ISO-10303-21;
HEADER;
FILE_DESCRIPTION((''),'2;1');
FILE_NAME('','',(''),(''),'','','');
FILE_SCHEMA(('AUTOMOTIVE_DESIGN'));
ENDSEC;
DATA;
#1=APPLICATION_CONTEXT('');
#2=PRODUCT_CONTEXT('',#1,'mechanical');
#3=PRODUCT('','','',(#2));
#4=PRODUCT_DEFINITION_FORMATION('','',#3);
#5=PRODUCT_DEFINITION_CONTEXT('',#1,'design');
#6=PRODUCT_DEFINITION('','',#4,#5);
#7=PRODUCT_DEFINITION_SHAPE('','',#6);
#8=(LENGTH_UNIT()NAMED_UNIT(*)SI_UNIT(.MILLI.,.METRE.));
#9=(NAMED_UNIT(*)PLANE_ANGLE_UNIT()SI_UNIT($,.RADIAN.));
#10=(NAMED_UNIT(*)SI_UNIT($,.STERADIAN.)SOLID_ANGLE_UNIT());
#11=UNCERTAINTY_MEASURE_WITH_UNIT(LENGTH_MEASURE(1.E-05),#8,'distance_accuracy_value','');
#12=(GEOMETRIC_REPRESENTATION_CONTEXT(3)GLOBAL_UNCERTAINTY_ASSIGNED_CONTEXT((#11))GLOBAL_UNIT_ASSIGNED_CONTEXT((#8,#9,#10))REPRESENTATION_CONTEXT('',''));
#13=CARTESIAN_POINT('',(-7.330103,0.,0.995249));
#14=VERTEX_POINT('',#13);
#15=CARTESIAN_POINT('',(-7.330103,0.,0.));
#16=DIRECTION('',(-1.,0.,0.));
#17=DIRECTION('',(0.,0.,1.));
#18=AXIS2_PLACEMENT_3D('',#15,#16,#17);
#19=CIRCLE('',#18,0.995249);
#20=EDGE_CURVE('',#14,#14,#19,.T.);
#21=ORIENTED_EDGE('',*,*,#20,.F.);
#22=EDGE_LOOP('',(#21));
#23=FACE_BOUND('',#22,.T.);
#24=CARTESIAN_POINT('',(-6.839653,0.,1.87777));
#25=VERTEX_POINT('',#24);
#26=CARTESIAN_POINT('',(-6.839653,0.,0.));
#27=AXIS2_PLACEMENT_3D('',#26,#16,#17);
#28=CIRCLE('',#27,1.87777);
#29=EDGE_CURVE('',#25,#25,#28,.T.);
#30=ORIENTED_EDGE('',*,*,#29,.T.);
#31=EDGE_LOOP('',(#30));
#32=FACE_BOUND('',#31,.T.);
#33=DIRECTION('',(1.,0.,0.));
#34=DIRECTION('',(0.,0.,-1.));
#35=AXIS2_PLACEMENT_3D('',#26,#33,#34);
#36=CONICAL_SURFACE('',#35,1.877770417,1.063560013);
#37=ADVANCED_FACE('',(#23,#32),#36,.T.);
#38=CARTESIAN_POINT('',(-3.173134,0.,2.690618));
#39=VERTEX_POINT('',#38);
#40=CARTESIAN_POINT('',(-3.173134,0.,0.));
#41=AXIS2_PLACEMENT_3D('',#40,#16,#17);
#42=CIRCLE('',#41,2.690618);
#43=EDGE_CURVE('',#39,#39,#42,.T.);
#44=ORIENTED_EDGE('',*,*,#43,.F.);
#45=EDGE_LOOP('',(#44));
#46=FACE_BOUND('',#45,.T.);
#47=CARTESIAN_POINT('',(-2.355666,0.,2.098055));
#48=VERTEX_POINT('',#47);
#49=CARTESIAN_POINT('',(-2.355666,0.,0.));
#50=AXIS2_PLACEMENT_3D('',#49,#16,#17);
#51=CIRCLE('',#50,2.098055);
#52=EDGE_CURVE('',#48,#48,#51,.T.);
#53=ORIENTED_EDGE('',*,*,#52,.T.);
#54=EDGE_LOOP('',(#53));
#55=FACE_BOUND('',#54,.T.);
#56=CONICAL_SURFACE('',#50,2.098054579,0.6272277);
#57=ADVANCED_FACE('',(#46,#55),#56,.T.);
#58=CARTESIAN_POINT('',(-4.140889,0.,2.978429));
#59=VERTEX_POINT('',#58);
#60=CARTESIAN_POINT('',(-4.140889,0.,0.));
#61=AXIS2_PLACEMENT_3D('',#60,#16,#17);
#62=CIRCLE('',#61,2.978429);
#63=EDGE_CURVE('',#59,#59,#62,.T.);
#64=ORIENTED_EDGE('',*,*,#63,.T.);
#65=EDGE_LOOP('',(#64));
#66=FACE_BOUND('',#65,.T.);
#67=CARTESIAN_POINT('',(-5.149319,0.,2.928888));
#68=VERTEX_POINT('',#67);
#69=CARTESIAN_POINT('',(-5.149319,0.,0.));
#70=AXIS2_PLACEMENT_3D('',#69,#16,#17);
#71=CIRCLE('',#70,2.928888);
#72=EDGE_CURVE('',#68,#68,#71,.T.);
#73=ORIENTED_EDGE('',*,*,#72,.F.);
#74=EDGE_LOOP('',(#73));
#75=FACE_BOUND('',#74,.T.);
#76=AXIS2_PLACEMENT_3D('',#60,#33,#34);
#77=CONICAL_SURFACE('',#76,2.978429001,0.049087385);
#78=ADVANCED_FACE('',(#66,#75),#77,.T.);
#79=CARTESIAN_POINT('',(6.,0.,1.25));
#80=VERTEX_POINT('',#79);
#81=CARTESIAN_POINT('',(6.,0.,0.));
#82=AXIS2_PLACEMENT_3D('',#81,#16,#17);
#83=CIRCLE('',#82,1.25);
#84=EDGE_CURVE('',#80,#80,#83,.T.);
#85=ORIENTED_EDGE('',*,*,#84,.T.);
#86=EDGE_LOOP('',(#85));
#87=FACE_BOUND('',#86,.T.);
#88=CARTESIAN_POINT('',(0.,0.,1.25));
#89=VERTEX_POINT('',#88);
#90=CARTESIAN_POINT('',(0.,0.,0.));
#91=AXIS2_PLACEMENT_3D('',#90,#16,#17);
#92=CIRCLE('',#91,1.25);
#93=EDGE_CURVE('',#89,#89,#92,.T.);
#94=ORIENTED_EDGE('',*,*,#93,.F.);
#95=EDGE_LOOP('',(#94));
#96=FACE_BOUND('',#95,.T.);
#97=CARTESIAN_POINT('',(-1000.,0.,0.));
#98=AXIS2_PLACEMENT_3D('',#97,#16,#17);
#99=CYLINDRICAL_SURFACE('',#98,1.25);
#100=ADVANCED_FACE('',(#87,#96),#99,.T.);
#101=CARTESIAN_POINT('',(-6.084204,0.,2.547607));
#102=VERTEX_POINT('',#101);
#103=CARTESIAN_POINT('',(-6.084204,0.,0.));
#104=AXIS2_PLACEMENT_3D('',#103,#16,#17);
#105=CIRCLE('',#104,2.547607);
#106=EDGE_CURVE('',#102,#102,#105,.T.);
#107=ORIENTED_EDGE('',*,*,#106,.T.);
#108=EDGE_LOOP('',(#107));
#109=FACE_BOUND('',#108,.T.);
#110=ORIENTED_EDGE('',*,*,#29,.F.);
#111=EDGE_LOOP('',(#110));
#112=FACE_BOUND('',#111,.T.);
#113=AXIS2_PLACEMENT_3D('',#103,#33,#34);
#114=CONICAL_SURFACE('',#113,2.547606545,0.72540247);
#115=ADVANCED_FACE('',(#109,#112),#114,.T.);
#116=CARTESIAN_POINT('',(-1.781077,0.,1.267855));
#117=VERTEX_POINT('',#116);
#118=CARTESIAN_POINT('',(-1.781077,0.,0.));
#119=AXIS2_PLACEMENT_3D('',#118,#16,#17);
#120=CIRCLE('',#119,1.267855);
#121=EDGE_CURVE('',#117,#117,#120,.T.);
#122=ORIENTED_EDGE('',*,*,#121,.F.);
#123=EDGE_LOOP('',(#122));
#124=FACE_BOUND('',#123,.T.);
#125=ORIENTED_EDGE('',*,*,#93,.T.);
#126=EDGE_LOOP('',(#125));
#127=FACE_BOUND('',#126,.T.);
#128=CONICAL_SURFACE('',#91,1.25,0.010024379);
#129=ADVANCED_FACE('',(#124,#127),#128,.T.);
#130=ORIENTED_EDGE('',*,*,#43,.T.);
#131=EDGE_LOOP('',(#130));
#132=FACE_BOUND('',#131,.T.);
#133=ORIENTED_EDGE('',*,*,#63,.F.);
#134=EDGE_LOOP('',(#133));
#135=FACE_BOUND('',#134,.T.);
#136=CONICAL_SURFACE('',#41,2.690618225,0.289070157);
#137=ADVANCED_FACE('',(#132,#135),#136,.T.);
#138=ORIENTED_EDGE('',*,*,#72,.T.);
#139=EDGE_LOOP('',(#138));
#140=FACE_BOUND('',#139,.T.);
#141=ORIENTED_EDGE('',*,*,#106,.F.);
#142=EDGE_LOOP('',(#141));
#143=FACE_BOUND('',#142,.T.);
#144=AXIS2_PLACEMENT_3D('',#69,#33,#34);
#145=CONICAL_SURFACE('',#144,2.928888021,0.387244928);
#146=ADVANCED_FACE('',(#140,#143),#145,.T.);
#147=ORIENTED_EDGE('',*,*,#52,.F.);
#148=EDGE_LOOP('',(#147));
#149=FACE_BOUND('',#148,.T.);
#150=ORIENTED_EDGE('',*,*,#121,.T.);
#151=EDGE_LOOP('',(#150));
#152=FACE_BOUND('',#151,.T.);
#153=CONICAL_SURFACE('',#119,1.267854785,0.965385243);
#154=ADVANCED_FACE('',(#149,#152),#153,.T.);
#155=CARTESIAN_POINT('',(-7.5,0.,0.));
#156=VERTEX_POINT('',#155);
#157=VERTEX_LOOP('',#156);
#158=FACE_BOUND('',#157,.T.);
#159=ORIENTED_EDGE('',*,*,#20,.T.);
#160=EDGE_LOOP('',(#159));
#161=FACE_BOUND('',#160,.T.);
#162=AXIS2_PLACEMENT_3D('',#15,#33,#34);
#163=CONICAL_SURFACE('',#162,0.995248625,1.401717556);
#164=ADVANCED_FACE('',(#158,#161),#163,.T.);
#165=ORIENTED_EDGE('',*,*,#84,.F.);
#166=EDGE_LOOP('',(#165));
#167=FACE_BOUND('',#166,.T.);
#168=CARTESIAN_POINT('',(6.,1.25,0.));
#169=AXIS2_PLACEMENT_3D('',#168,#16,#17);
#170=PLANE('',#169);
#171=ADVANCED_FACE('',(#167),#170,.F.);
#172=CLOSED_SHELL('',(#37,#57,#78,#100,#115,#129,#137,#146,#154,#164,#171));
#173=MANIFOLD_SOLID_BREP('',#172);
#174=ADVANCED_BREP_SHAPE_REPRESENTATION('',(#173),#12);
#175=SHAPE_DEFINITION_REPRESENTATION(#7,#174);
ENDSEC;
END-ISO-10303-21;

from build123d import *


with BuildPart() as part:
    # Ball_Stud Sketch → Ball_Stud (revolve)
    with BuildSketch(Plane.XY):
        Polygon((-7.5, 0), (-7.330102502, 0.995248625), (-6.839653449, 1.877770417), (-6.084203552, 2.547606545), (-5.149318842, 2.928888021), (-4.140889034, 2.978429001), (-3.173133929, 2.690618225), (-2.355666308, 2.098054579), (-1.781076639, 1.267854785), (0, 1.25), (6, 1.25), (6, 0), align=None)
    revolve(axis=Axis((-1000, 0, 0), (1, 0, 0)))


solid = part.part
